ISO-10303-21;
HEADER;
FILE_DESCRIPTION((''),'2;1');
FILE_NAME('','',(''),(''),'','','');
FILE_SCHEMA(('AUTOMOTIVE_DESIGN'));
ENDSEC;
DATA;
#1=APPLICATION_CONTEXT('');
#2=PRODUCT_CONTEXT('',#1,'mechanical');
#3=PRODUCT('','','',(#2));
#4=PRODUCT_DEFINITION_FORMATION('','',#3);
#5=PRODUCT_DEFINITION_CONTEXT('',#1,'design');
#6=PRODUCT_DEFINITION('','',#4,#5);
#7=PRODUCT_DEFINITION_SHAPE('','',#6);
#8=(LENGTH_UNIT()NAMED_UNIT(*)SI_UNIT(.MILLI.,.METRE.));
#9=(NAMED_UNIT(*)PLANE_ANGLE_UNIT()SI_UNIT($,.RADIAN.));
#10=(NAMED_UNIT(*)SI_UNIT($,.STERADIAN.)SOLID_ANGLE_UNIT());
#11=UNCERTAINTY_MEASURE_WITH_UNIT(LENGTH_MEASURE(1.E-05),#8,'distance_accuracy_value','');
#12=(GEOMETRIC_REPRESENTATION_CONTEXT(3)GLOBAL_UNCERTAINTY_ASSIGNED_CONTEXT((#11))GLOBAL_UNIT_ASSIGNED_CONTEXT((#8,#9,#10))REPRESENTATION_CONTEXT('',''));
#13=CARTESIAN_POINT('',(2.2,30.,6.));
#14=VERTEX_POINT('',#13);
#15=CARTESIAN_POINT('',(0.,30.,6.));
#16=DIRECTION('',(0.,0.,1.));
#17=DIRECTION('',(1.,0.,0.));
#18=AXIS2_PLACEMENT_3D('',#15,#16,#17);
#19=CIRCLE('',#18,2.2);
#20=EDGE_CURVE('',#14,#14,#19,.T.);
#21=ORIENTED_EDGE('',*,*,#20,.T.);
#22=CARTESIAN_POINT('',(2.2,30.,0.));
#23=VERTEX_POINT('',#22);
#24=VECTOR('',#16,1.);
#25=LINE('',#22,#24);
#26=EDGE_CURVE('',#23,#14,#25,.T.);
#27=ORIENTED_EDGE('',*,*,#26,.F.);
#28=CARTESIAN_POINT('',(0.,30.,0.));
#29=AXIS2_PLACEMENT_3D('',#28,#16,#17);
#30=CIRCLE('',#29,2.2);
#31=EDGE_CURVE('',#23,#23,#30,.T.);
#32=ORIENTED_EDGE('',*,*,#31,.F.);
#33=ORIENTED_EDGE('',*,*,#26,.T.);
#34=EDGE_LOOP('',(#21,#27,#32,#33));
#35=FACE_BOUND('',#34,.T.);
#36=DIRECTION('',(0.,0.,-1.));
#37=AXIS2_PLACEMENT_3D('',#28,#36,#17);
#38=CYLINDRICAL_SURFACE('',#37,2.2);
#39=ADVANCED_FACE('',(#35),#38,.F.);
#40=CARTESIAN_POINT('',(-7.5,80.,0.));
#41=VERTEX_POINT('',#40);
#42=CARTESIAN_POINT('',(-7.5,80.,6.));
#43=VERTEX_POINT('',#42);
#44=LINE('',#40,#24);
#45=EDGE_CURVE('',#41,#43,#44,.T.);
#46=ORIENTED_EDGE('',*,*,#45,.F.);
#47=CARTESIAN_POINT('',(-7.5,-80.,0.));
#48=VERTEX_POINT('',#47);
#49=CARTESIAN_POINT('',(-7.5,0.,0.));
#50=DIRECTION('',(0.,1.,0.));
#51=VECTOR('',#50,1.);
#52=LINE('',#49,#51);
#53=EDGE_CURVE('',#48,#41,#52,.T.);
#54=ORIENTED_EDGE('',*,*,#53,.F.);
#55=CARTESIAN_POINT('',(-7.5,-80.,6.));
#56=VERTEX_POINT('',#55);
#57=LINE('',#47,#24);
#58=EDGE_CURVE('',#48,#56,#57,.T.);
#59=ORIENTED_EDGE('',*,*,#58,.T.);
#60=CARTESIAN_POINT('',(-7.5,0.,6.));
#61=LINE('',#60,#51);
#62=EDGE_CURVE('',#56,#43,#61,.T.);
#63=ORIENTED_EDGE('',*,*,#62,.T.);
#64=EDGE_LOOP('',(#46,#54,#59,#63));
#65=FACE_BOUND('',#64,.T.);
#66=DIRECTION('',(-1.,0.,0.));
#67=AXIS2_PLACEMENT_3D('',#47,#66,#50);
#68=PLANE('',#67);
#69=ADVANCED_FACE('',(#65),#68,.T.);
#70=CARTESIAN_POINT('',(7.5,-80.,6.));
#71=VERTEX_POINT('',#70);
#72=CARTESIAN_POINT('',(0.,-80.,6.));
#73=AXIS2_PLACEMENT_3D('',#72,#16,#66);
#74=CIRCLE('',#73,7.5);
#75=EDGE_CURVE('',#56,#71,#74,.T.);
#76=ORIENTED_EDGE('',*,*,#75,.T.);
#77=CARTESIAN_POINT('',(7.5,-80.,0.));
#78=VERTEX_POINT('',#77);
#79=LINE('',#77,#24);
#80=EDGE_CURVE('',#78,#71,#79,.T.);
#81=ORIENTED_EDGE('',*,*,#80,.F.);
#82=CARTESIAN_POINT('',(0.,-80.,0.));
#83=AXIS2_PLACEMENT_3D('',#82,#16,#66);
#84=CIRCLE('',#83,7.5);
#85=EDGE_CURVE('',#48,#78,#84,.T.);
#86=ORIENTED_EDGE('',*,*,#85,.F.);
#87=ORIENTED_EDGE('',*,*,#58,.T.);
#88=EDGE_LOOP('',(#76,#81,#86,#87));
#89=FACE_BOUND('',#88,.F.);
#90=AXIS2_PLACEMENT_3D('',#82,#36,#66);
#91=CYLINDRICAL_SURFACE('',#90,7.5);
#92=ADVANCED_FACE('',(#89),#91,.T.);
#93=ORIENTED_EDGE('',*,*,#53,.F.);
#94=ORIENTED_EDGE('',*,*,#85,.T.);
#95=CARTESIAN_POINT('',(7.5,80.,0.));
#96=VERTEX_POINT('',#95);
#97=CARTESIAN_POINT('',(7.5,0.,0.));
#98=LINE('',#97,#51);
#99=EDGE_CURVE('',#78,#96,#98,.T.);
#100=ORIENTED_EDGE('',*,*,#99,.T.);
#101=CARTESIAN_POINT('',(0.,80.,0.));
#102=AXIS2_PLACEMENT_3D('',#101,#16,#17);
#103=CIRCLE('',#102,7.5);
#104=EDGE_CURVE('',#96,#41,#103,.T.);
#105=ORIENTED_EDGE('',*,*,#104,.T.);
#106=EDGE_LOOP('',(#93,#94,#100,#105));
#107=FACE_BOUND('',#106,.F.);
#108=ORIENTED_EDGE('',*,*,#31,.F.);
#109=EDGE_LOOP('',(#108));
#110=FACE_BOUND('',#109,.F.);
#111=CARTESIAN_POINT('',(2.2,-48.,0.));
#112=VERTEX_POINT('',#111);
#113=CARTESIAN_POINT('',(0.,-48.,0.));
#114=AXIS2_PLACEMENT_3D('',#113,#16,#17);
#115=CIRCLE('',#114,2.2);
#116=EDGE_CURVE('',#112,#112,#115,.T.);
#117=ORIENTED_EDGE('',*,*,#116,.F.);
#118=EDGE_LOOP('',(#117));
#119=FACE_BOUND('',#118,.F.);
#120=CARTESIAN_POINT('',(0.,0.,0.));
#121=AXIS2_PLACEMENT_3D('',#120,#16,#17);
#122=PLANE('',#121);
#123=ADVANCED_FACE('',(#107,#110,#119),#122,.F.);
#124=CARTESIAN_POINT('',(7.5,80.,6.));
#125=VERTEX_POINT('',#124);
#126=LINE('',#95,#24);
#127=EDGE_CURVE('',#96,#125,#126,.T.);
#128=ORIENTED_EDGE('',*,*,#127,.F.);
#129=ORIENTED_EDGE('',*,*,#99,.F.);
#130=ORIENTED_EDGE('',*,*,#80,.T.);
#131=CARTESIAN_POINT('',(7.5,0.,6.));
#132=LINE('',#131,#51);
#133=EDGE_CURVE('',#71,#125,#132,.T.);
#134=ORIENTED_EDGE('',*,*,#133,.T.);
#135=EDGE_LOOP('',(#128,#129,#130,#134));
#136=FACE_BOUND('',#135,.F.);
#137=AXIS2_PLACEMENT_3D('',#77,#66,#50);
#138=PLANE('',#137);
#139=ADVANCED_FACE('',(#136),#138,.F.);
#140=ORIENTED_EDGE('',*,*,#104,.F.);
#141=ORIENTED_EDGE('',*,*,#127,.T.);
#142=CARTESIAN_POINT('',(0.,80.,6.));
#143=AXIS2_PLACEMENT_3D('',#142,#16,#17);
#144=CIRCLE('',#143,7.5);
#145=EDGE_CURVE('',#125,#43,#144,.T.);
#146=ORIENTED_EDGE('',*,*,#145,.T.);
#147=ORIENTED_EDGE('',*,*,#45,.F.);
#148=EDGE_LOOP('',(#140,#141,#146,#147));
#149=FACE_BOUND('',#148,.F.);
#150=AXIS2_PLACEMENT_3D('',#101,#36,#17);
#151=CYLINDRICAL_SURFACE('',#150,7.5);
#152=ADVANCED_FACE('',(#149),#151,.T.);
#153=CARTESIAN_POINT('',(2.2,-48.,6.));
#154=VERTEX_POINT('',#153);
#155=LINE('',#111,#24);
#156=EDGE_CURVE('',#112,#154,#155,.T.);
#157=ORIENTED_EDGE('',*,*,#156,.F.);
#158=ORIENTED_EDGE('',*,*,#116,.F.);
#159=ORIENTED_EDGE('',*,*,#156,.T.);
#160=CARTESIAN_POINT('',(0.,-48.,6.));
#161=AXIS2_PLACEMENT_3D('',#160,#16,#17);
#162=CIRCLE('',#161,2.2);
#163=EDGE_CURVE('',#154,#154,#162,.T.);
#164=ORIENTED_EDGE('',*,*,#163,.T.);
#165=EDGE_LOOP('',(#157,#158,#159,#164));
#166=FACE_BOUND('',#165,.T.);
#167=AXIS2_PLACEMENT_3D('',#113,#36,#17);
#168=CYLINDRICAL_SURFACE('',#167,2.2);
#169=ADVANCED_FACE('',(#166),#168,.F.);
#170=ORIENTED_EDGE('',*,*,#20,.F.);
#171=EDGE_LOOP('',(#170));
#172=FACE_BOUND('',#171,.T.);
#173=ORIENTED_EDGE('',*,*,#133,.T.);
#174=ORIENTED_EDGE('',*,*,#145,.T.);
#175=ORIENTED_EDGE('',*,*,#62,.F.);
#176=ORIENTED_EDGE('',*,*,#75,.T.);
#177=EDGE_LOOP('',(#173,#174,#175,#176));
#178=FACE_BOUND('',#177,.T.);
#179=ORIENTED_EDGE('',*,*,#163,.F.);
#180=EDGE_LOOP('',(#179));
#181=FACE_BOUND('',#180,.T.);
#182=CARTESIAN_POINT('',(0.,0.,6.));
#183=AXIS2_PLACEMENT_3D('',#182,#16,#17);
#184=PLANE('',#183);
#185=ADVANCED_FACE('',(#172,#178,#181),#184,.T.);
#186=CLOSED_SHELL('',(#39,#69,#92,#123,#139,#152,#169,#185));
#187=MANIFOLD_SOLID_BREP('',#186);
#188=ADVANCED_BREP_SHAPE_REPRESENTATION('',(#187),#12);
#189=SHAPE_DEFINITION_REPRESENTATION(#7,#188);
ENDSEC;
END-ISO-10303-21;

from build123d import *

# Parameters (mm, degrees)
F0_W     = 15
F0_H     = 160
F0_R     = 2.2
F1_DEPTH = 6


with BuildPart() as f1:
    # F0 (on Top) → F1 (new body)
    with BuildSketch(Plane.XY):
        Rectangle(F0_W, F0_H)
        with Locations((0, -48)):
            Circle(F0_R, mode=Mode.SUBTRACT)
        with Locations((0, 30)):
            Circle(F0_R, mode=Mode.SUBTRACT)
        with BuildLine():
            Line((-7.5, 80), (7.5, 80))
            ThreePointArc((7.5, 80), (0, 87.5), (-7.5, 80))
        make_face()
        with BuildLine():
            ThreePointArc((-7.5, -80), (0, -87.5), (7.5, -80))
            Line((7.5, -80), (-7.5, -80))
        make_face()
    extrude(amount=F1_DEPTH)


solid = f1.part
